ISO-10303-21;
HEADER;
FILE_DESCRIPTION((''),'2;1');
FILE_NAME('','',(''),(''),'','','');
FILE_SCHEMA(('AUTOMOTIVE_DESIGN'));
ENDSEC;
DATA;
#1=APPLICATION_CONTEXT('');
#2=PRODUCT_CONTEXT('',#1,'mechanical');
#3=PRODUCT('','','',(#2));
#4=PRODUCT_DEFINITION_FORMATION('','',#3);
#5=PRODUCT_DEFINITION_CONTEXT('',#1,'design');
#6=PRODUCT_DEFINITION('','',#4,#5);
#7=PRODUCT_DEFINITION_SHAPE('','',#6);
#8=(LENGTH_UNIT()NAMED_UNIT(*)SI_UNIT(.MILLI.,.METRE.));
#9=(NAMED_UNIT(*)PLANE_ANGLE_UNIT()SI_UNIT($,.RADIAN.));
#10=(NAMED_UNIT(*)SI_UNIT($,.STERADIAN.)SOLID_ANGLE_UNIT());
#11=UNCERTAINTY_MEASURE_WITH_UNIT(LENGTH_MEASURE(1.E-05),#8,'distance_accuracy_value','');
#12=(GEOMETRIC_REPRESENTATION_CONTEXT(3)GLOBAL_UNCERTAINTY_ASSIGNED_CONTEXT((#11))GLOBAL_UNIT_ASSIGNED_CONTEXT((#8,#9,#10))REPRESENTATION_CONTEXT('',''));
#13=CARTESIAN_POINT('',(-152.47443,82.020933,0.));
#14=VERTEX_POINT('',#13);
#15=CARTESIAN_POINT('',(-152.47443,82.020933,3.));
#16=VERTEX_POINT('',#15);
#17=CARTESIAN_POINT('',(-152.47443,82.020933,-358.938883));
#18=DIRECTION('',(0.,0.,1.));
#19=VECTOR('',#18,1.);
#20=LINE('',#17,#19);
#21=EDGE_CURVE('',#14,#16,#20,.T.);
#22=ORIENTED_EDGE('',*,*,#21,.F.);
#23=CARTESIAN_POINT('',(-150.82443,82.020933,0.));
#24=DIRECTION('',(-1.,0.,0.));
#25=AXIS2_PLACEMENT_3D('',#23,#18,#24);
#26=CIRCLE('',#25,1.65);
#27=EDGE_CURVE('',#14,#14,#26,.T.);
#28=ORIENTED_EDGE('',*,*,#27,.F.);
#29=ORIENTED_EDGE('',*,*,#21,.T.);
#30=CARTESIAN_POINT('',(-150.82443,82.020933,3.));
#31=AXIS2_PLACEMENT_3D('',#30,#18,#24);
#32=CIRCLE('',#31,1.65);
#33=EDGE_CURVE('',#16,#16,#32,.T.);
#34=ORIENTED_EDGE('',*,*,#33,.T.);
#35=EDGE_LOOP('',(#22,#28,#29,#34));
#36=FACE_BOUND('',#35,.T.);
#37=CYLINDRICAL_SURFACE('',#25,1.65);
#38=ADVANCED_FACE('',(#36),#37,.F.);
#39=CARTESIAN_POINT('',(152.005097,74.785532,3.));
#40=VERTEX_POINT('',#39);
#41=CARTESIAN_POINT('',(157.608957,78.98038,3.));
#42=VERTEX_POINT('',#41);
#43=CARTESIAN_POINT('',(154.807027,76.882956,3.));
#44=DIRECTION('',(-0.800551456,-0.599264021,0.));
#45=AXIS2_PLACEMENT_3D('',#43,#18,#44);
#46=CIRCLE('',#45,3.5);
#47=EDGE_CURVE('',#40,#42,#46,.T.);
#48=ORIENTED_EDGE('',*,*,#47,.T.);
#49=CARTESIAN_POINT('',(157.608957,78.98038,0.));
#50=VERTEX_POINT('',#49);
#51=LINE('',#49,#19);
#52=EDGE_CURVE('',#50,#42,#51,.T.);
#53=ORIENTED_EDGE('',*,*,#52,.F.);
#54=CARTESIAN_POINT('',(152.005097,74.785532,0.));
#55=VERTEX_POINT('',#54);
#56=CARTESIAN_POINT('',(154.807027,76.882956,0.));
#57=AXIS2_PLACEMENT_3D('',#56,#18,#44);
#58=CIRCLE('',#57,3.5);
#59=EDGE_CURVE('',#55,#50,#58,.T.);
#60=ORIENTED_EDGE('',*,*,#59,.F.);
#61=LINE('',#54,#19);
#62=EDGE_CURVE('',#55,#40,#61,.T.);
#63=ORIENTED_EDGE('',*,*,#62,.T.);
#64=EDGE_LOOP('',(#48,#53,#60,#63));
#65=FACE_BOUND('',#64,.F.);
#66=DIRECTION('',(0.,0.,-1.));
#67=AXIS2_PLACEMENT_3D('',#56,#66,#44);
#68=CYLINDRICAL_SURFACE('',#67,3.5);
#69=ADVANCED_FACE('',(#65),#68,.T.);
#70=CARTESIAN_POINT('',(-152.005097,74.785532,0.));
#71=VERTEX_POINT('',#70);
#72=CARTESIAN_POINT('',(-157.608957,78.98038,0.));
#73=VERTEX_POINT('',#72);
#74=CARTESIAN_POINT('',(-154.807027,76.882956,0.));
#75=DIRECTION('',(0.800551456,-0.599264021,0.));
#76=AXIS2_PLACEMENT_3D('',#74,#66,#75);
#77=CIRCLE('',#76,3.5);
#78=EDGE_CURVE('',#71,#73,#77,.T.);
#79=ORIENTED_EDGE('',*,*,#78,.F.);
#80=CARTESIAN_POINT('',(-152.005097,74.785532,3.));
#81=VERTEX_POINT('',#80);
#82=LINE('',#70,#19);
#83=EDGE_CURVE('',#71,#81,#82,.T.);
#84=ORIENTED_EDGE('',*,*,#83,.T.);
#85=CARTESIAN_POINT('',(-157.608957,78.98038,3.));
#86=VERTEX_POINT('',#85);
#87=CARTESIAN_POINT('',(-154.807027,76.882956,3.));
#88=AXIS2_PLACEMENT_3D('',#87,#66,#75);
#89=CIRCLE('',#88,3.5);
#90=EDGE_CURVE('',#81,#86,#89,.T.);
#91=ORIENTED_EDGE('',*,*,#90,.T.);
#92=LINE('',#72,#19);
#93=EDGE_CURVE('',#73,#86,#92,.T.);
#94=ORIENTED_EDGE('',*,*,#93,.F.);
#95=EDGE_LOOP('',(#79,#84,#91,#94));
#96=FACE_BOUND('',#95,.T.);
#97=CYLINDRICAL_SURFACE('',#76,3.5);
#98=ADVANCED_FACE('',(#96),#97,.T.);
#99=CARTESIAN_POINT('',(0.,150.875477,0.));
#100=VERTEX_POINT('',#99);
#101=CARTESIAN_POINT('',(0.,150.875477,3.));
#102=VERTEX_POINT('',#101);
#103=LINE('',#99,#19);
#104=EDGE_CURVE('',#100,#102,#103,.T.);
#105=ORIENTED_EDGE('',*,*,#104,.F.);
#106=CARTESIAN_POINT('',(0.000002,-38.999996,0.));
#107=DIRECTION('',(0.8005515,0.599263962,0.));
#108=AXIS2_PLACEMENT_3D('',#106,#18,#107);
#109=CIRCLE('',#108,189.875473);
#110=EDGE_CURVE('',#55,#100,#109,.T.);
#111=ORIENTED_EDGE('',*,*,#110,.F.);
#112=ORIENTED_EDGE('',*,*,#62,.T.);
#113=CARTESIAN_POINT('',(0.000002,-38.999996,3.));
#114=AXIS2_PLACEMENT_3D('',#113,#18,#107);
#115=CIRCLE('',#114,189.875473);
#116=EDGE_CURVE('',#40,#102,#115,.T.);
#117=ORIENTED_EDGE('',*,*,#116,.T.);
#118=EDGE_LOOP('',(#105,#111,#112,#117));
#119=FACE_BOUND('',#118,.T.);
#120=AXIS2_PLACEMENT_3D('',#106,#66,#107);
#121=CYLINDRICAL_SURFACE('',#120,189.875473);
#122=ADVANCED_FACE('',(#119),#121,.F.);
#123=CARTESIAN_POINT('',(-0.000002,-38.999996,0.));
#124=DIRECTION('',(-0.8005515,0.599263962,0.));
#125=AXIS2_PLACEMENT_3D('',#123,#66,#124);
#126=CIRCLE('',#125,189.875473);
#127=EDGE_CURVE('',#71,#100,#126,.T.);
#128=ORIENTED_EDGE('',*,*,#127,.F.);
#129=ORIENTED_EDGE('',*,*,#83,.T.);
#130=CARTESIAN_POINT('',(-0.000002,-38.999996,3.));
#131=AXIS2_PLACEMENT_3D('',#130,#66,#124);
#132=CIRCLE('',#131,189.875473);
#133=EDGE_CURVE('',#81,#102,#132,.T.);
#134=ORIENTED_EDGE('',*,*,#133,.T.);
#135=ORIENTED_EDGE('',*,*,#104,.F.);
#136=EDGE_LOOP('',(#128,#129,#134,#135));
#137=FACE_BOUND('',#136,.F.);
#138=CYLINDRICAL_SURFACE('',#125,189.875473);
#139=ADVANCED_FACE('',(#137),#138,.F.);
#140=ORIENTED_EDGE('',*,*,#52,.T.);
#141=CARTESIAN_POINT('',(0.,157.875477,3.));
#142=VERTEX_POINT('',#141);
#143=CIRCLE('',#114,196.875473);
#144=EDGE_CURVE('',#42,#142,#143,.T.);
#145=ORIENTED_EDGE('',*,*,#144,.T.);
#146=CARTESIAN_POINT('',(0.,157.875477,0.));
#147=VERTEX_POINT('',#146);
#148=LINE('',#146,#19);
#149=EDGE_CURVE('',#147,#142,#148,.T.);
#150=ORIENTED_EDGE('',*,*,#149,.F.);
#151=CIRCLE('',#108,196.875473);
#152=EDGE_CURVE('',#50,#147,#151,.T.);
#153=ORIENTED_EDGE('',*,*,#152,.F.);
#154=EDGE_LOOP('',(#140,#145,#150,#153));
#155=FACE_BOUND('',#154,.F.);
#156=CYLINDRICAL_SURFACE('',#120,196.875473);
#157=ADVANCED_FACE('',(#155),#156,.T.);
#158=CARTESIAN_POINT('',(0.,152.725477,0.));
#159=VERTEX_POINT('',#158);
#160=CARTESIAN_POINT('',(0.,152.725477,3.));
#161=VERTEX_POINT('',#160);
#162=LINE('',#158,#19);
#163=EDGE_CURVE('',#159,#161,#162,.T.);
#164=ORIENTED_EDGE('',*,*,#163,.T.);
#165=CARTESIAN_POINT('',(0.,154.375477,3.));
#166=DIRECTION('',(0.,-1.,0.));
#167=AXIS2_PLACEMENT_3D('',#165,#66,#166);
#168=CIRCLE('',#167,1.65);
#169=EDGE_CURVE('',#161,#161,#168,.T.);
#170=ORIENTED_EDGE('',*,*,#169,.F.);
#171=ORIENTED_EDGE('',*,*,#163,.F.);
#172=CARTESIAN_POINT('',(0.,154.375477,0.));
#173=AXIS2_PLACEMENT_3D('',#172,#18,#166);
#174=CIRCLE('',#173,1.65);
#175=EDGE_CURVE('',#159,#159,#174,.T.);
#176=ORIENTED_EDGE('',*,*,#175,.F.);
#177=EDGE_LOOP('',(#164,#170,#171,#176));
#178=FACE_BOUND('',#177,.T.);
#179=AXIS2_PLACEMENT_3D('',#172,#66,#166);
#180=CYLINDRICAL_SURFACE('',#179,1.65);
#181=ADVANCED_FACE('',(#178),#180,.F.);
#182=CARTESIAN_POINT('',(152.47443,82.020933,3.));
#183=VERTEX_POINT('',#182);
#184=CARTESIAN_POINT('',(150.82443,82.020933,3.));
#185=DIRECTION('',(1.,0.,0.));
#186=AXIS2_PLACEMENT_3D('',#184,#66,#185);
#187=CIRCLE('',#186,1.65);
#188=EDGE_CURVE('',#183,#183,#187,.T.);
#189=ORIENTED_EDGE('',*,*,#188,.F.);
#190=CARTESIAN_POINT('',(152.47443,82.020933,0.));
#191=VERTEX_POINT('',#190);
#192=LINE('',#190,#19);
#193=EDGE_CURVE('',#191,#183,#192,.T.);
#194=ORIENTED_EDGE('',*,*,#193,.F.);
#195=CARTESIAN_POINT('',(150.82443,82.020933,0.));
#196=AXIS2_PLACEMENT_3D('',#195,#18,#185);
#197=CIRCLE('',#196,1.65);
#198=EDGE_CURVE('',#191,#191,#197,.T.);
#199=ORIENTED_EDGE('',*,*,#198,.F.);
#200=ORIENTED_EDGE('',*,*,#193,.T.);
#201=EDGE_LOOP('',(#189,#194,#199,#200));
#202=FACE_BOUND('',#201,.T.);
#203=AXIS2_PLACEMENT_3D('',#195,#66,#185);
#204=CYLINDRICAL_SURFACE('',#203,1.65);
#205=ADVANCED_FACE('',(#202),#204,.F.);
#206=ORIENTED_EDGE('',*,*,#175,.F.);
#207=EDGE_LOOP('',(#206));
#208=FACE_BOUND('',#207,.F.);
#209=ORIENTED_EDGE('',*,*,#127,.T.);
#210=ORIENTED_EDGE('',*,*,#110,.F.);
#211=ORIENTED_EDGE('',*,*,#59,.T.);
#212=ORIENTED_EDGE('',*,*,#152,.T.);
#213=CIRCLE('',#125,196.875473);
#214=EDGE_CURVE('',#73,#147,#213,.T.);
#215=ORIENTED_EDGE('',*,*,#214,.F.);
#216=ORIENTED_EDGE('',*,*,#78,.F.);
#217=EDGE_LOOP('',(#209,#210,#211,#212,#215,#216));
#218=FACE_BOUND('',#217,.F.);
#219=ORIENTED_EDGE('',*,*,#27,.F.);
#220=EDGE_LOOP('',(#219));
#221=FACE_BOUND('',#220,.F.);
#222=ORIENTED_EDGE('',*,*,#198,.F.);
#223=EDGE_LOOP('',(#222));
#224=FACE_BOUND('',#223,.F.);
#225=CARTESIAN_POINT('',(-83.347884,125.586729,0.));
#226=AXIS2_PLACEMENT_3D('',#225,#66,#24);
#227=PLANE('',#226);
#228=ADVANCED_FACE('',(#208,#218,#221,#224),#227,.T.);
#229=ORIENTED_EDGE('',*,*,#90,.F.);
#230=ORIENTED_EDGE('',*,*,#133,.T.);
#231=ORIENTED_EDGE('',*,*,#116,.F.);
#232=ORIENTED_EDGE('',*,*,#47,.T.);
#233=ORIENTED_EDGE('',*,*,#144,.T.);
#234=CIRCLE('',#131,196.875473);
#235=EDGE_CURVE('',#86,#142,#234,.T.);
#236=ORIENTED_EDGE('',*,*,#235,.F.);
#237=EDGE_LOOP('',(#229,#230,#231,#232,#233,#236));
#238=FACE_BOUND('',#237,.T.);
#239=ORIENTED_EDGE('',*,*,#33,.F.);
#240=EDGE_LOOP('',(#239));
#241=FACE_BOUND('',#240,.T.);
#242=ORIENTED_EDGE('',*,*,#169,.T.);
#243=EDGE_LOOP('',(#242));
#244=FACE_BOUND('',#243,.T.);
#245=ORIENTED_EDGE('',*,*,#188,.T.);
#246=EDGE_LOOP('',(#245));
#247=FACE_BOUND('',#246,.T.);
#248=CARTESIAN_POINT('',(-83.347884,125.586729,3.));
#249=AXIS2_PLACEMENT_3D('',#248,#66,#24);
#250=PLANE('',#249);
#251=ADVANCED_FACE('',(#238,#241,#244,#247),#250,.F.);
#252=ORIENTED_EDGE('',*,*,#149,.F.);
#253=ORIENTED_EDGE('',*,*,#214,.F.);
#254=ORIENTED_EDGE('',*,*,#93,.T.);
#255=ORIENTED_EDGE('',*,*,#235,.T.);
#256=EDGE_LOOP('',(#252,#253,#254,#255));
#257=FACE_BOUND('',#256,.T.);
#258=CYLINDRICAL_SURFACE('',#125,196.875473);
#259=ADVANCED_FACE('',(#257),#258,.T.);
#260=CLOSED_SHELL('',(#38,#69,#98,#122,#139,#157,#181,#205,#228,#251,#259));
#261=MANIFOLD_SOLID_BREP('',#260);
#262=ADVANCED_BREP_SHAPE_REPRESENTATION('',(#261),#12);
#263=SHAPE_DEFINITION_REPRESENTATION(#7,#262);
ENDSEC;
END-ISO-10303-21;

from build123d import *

# Parameters (mm, degrees)
PAD015_DEPTH                        = 3
SKETCH054_R                         = 1.65
POCKET018_DEPTH                     = 358.938883
POCKET018_DEPTH_BACK                = 361.938883
BODY001003005003004_PLACEMENT_ANGLE = 60
CLONE026_PLACEMENT_ANGLE            = 60


with BuildPart() as part:
    # Sketch053 → Pad015 (new body)
    with BuildSketch(Plane.XY):
        with BuildLine():
            ThreePointArc((152.005097, 113.785532), (84.992984, 169.790723), (0, 189.875477))
            Line((0, 189.875477), (0, 196.875477))
            ThreePointArc((157.608957, 117.98038), (88.126358, 176.050273), (0, 196.875477))
            ThreePointArc((152.005097, 113.785532), (156.904451, 113.081026), (157.608957, 117.98038))
        make_face()
    pad015 = extrude(amount=PAD015_DEPTH)

    # Sketch054 → Pocket018 (cut, two sides)
    with BuildSketch(Plane.XY) as pocket018_sk:
        with Locations((150.82443, 121.020933)):
            Circle(SKETCH054_R)
        with BuildLine():
            ThreePointArc((0, 191.725477), (1.65, 193.375477), (0, 195.025477))
            Line((0, 191.725477), (0, 195.025477))
        make_face()
    pocket018 = extrude(amount=-POCKET018_DEPTH, mode=Mode.SUBTRACT) + extrude(pocket018_sk.sketch, amount=POCKET018_DEPTH_BACK, mode=Mode.SUBTRACT)

    # Mirrored020: Pad015, Pocket018 across Sketch053 V_Axis
    add(pad015.mirror(Plane(origin=(0, 0, 0), x_dir=(0, 0, 1), z_dir=(1, 0, 0))))
    add(pocket018.mirror(Plane(origin=(0, 0, 0), x_dir=(0, 0, 1), z_dir=(1, 0, 0))), mode=Mode.SUBTRACT)


with BuildPart() as part_1:
    # Body001003005003004 placement: moved
    add(part.part.rotate(Axis((0, 0, 0), (0, 0, 1)), BODY001003005003004_PLACEMENT_ANGLE))


with BuildPart() as part_2:
    # Clone026 placement: moved
    add(part_1.part.moved(Location((0, -39, 0))).rotate(Axis((0, -39, 0), (0, 0, -1)), CLONE026_PLACEMENT_ANGLE))


solid = part_2.part
